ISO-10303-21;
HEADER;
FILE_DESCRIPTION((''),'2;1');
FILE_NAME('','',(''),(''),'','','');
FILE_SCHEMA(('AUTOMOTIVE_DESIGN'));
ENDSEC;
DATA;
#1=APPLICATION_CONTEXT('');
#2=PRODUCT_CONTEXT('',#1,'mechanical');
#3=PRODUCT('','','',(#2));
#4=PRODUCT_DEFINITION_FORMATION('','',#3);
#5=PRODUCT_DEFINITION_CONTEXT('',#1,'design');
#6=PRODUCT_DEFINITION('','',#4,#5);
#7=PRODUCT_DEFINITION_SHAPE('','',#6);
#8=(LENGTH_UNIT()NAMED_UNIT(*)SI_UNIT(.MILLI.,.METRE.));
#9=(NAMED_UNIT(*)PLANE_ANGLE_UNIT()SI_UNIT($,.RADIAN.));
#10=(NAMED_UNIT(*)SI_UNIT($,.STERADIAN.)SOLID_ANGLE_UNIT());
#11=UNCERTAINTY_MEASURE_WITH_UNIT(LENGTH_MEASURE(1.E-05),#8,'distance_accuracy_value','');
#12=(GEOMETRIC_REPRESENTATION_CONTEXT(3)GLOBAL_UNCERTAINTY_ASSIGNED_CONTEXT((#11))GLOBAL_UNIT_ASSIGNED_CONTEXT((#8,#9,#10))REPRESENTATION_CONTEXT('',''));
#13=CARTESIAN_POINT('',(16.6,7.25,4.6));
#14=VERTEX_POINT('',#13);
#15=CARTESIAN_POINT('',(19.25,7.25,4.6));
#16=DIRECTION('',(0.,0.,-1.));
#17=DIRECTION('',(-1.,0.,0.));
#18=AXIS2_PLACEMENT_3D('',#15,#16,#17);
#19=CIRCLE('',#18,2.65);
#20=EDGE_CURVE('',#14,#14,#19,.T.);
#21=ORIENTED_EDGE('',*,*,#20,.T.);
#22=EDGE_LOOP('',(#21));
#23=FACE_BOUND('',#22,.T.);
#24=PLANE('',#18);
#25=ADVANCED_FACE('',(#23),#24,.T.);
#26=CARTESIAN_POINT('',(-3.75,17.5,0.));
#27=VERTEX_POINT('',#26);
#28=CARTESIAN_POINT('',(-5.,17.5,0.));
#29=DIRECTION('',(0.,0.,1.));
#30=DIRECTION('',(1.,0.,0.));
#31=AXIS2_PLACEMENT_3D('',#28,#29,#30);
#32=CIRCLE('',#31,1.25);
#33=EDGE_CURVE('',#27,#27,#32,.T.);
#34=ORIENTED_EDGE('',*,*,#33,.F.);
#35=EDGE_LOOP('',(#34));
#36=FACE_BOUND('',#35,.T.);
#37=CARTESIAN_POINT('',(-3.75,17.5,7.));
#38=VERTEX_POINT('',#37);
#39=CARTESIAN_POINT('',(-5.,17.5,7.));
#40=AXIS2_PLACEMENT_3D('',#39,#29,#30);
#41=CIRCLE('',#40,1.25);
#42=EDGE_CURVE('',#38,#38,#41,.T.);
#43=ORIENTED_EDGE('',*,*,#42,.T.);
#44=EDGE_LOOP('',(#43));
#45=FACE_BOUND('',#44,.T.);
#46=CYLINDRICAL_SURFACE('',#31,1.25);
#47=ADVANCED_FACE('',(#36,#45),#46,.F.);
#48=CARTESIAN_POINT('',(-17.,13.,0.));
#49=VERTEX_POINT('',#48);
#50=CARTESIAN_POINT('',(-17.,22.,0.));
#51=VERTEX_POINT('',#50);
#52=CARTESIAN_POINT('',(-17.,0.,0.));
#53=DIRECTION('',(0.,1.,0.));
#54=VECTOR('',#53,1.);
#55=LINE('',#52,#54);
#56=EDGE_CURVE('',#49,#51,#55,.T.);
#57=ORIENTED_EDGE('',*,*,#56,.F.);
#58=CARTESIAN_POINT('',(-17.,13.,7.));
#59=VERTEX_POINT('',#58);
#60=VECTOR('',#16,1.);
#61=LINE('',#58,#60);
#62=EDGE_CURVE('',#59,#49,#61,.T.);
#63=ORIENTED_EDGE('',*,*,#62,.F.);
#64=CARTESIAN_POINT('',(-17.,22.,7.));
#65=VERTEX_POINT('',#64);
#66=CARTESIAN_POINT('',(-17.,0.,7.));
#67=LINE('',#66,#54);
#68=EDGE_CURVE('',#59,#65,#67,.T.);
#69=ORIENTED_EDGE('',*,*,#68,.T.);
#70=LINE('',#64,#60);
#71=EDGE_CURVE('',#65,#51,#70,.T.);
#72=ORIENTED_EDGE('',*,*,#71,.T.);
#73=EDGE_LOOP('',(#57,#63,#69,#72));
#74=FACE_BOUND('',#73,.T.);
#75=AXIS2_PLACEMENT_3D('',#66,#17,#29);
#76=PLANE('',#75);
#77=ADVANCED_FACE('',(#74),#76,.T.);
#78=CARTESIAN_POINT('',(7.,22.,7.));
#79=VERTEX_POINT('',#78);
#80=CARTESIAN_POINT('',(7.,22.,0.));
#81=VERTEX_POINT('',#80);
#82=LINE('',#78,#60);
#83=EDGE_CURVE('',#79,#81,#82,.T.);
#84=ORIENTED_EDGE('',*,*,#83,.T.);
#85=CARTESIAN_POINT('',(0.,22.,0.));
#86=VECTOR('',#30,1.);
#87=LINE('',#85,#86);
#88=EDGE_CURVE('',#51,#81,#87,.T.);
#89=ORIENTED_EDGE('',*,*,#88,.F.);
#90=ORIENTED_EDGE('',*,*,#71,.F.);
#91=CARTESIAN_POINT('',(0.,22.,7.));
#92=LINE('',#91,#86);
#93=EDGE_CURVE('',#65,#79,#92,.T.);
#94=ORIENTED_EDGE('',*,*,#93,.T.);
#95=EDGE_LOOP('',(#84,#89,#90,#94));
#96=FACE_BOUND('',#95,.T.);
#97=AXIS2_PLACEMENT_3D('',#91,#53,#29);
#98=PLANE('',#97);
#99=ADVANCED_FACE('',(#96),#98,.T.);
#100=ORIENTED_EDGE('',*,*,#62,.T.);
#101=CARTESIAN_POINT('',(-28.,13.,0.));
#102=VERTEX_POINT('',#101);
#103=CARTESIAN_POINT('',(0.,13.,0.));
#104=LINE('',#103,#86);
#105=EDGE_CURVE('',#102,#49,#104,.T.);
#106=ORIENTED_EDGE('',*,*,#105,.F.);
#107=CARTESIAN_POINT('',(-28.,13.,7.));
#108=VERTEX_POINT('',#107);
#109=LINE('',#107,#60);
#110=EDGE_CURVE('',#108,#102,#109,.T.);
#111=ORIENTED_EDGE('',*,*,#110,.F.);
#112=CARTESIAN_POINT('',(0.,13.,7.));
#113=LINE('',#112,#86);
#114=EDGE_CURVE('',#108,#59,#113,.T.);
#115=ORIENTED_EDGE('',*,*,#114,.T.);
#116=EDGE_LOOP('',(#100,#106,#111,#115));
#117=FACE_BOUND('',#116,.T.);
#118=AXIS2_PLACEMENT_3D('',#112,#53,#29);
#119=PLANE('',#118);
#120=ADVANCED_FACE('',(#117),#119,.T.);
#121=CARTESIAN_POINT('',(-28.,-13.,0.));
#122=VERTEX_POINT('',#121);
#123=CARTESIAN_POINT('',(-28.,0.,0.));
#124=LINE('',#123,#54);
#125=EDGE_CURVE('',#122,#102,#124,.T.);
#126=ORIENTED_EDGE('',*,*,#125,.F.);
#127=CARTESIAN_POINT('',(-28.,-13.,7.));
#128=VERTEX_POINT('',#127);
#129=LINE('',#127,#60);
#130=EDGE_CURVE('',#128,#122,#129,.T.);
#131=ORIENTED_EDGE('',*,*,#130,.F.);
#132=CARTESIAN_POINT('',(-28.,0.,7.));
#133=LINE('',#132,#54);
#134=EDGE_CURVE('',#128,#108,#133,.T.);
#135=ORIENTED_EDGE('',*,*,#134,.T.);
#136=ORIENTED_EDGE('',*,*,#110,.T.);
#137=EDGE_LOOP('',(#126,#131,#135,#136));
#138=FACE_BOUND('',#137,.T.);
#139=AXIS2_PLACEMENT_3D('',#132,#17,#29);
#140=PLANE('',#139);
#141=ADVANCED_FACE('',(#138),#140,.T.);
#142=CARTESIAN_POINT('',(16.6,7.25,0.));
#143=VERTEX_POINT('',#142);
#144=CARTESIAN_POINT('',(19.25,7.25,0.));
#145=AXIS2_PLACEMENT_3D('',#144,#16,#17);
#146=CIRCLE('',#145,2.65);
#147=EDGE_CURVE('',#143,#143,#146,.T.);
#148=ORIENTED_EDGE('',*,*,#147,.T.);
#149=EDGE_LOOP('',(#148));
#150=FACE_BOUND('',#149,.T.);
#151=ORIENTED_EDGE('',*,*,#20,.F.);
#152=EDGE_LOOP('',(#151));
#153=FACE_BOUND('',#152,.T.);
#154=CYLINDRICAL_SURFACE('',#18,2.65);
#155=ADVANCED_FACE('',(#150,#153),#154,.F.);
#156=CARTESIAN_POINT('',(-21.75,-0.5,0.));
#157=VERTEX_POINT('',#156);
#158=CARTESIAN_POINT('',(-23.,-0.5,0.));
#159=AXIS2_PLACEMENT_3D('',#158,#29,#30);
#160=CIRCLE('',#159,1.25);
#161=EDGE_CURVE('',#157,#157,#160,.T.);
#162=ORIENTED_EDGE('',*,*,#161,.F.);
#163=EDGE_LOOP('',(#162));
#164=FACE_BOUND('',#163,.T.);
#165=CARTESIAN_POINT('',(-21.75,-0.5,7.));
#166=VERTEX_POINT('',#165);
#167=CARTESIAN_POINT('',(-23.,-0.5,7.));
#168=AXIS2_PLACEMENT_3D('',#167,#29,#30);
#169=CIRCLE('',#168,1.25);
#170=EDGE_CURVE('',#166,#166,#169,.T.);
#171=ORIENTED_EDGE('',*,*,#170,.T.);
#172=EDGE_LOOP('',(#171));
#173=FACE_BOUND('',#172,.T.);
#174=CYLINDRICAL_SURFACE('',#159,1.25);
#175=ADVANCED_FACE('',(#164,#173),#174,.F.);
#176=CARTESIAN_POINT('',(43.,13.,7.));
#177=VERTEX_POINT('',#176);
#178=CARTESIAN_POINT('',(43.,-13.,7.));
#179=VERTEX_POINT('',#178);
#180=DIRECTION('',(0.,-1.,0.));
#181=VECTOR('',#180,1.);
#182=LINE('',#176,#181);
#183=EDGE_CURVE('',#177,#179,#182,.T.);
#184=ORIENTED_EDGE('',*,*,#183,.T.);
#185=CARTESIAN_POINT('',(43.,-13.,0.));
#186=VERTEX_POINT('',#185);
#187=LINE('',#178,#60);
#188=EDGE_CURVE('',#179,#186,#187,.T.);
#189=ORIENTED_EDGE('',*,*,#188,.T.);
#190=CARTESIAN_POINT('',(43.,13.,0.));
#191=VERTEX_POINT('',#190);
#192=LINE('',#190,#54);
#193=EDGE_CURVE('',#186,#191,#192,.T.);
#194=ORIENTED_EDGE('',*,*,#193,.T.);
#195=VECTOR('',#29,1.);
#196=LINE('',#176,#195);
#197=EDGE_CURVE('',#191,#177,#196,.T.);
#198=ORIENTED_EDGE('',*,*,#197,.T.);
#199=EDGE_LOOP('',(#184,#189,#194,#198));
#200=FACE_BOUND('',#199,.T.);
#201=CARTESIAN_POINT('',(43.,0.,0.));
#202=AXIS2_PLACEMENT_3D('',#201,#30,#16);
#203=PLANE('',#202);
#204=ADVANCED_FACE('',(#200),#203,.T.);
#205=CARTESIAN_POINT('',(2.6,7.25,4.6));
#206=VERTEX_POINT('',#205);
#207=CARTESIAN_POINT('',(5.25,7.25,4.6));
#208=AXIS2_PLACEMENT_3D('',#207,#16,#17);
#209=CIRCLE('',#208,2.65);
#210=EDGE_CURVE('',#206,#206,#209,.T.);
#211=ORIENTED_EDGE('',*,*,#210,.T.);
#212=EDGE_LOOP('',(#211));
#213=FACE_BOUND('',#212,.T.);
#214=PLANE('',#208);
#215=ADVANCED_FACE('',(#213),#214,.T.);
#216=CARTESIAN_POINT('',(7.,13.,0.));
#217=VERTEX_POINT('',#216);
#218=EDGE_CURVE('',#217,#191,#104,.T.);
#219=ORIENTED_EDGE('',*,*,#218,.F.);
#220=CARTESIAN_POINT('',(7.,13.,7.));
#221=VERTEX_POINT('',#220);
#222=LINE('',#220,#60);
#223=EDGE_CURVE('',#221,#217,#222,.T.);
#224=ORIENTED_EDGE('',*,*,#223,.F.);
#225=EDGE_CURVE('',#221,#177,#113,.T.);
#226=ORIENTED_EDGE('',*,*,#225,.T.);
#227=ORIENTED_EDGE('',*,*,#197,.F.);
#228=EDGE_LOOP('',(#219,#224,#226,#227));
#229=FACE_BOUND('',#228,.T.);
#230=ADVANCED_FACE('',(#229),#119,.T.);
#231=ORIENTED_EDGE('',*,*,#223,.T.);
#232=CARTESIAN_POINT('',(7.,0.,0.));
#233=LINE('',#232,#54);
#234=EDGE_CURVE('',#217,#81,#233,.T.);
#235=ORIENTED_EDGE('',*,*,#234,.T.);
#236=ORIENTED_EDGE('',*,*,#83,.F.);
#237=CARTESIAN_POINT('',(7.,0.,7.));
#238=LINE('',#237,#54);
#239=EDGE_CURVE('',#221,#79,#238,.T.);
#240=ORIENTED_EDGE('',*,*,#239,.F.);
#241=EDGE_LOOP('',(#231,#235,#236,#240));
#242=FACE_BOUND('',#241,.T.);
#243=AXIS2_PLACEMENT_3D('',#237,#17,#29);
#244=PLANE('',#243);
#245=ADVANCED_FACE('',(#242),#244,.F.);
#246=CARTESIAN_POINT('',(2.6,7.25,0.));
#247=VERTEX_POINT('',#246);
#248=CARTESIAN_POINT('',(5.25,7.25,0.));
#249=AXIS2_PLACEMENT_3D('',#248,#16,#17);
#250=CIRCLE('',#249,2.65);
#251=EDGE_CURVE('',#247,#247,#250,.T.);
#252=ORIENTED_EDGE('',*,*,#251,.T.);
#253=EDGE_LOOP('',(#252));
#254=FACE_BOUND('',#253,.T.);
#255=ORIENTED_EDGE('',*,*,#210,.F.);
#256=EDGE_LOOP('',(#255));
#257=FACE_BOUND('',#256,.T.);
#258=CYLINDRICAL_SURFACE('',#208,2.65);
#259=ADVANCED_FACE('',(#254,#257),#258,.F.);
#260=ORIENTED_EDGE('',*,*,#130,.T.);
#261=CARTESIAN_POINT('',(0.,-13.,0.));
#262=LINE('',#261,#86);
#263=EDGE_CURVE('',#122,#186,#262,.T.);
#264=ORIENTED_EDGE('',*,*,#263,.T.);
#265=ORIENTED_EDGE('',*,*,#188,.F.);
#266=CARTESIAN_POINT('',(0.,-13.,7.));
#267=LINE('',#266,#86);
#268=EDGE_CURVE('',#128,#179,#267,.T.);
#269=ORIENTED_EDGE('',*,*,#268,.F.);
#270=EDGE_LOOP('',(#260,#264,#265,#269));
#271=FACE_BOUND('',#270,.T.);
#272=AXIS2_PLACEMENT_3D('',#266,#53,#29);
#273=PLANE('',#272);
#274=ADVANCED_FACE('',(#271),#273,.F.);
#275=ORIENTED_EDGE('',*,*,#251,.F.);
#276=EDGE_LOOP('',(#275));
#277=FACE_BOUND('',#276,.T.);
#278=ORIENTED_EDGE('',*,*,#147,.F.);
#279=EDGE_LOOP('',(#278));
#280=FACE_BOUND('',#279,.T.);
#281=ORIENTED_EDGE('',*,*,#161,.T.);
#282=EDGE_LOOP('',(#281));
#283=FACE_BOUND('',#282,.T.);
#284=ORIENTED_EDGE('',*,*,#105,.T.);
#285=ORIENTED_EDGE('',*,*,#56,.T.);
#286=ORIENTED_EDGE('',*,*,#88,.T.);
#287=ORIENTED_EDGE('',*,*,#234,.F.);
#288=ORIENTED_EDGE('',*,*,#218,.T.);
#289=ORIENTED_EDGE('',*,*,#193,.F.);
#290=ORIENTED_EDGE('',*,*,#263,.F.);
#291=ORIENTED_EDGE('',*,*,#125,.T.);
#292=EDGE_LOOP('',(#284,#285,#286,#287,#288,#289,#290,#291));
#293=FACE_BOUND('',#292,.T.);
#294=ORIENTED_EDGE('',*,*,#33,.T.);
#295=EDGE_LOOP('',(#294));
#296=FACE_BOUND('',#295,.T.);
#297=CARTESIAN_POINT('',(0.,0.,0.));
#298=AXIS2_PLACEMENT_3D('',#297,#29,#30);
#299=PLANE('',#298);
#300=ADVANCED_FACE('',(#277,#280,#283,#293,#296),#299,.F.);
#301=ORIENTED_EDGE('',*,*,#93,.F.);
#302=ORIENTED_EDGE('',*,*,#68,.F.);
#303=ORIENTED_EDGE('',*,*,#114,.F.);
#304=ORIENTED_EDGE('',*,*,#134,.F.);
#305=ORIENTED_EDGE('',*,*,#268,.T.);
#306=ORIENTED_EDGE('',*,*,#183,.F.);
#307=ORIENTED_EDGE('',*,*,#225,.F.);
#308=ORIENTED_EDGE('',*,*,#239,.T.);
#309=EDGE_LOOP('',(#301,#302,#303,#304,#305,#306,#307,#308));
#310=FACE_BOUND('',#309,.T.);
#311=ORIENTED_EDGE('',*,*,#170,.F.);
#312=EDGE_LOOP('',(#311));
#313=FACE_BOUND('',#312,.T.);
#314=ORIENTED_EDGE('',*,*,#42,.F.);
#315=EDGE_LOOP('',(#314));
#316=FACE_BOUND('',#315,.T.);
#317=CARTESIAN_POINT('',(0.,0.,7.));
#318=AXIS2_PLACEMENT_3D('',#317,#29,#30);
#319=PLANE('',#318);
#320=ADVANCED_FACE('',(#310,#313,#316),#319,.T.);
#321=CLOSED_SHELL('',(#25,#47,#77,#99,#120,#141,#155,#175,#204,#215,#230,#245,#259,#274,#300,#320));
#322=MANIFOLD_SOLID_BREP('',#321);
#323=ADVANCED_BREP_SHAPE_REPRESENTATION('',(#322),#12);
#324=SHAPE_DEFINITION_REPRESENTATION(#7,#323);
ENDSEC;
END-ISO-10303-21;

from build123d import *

# Parameters (mm, degrees)
SKETCH1_W           = 56
SKETCH1_H           = 26
SKETCH1_W_2         = 24
SKETCH1_H_2         = 9
BOSS_EXTRUDE1_DEPTH = 7
SKETCH2_R           = 1.25
CUT_EXTRUDE1_DEPTH  = 7
SKETCH3_R           = 2.65
CUT_EXTRUDE2_DEPTH  = 4.6
SKETCH4_W           = 7
SKETCH4_H           = 26
BOSS_EXTRUDE2_DEPTH = 15


with BuildPart() as part:
    # Sketch1 → Boss-Extrude1 (new body)
    with BuildSketch(Plane.XY):
        Rectangle(SKETCH1_W, SKETCH1_H)
        with Locations((-5, 17.5)):
            Rectangle(SKETCH1_W_2, SKETCH1_H_2)
    extrude(amount=BOSS_EXTRUDE1_DEPTH)

    # Sketch2 → Cut-Extrude1 (cut)
    with BuildSketch(Plane.XY.offset(7)):
        with Locations((-5, 17.5)):
            Circle(SKETCH2_R)
        with Locations((-23, -0.5)):
            Circle(SKETCH2_R)
    extrude(amount=-CUT_EXTRUDE1_DEPTH, mode=Mode.SUBTRACT)

    # Sketch3 → Cut-Extrude2 (cut)
    with BuildSketch(Plane(origin=(0, 0, 0), x_dir=(-1, 0, 0), z_dir=(0, 0, -1))):
        with Locations((-5.25, 7.25)):
            Circle(SKETCH3_R)
        with Locations((-19.25, 7.25)):
            Circle(SKETCH3_R)
    extrude(amount=-CUT_EXTRUDE2_DEPTH, mode=Mode.SUBTRACT)

    # Sketch4 → Boss-Extrude2 (add)
    with BuildSketch(Plane(origin=(28, 0, 0), x_dir=(0, 0, -1), z_dir=(1, 0, 0))):
        with Locations((-3.5, 0)):
            Rectangle(SKETCH4_W, SKETCH4_H)
    extrude(amount=BOSS_EXTRUDE2_DEPTH)


solid = part.part
